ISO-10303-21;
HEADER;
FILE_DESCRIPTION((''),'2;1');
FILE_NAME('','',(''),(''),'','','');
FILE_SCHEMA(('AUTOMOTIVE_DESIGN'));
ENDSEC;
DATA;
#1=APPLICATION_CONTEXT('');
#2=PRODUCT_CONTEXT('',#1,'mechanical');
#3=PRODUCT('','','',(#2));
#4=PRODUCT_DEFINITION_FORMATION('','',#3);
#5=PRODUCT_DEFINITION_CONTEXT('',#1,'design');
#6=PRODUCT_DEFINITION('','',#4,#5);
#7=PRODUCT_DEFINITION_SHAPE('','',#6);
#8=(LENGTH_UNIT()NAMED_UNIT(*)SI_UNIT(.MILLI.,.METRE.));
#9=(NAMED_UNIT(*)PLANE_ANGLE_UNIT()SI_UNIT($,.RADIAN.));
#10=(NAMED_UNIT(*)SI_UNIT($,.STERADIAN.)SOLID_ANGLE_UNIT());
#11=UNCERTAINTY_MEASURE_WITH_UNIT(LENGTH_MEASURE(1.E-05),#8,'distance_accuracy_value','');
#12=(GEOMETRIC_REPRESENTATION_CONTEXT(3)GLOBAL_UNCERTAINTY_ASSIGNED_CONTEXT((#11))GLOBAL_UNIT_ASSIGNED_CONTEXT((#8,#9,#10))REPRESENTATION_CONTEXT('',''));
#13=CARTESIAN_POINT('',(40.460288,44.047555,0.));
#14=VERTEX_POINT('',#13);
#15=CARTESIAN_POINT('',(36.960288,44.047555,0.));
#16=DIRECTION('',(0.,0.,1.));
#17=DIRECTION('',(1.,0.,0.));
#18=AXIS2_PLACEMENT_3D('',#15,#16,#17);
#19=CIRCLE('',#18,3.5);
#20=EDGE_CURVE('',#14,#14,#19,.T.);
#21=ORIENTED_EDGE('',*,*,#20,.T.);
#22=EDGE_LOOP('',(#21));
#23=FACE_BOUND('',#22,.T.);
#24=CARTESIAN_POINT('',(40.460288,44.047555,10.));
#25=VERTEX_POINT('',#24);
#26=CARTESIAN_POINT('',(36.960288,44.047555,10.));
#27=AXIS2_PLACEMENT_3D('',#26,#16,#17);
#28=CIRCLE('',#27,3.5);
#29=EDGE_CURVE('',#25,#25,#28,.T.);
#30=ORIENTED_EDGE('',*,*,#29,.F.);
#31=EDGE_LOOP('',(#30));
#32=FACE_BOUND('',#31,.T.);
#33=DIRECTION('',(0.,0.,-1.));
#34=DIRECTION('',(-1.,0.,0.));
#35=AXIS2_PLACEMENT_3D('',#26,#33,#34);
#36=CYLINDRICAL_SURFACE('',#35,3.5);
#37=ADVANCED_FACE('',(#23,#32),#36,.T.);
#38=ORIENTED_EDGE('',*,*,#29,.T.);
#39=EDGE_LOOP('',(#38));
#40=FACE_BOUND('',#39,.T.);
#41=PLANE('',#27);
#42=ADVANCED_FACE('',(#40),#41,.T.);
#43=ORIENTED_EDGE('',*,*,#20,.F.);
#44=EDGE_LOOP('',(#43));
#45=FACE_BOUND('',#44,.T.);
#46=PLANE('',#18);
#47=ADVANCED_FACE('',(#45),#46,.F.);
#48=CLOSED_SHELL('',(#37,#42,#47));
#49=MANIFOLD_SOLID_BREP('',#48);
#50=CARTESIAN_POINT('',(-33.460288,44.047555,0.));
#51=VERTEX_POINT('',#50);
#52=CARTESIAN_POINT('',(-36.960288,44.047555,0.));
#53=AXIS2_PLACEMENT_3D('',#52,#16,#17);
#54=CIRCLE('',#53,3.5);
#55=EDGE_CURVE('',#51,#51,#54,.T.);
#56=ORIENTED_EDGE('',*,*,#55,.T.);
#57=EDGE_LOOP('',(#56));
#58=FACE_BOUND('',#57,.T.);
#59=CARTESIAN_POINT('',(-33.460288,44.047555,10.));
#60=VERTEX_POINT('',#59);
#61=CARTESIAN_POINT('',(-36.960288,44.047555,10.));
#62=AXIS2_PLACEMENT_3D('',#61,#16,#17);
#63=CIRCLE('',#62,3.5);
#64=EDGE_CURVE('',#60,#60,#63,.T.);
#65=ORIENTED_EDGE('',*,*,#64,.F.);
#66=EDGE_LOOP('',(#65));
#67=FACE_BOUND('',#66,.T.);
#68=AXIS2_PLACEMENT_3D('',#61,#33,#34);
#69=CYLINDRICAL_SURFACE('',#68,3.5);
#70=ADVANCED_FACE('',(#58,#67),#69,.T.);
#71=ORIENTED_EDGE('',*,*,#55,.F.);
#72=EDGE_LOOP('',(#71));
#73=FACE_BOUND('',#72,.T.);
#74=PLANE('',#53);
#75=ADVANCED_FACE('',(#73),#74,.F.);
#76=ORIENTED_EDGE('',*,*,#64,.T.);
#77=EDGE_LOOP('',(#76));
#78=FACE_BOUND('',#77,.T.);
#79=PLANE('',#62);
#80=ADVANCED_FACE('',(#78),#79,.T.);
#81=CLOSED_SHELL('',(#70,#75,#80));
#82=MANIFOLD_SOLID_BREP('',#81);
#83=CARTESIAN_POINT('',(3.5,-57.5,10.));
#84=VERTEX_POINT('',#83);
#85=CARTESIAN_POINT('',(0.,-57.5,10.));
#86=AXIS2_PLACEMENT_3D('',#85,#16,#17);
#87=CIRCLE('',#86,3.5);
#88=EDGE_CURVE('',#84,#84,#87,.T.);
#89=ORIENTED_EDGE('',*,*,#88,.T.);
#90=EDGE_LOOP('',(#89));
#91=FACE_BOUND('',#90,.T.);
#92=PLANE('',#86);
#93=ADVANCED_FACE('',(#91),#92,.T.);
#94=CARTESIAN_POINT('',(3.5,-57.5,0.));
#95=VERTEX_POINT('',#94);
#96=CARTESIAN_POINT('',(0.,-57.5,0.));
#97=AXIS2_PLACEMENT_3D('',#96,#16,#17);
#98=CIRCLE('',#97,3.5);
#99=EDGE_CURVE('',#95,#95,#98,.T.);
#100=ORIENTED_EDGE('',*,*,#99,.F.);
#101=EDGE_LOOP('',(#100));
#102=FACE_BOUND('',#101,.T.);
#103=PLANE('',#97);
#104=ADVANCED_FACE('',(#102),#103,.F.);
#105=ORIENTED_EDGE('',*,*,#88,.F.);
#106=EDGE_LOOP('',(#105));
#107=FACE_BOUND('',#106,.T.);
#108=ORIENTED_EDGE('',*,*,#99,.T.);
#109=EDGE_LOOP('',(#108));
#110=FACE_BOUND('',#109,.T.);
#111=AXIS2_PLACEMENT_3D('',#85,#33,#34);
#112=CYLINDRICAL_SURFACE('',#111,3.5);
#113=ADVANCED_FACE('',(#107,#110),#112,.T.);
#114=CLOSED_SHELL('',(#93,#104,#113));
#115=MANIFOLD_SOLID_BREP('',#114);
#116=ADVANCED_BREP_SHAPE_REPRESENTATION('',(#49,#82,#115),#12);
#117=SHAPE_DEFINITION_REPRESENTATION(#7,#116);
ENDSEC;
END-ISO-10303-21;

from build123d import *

# Parameters (mm, degrees)
SKETCH1_R             = 3.5
BOSS_EXTRUDE1_DEPTH   = 10
BOSS_EXTRUDE1_2_DEPTH = 10
BOSS_EXTRUDE1_3_DEPTH = 10


with BuildPart() as part:
    # Sketch1 → Boss-Extrude1 (new body)
    with BuildSketch(Plane.XY):
        with Locations((0, -57.5)):
            Circle(SKETCH1_R)
    extrude(amount=BOSS_EXTRUDE1_DEPTH)


with BuildPart() as body_2:
    # Sketch1 → Boss-Extrude1 2 (new body)
    with BuildSketch(Plane.XY):
        with Locations((-36.960287557, 44.047555479)):
            Circle(SKETCH1_R)
    extrude(amount=BOSS_EXTRUDE1_2_DEPTH)


with BuildPart() as body_3:
    # Sketch1 → Boss-Extrude1 3 (new body)
    with BuildSketch(Plane.XY):
        with Locations((36.960287557, 44.047555479)):
            Circle(SKETCH1_R)
    extrude(amount=BOSS_EXTRUDE1_3_DEPTH)


solid = Compound([part.part, body_2.part, body_3.part])
